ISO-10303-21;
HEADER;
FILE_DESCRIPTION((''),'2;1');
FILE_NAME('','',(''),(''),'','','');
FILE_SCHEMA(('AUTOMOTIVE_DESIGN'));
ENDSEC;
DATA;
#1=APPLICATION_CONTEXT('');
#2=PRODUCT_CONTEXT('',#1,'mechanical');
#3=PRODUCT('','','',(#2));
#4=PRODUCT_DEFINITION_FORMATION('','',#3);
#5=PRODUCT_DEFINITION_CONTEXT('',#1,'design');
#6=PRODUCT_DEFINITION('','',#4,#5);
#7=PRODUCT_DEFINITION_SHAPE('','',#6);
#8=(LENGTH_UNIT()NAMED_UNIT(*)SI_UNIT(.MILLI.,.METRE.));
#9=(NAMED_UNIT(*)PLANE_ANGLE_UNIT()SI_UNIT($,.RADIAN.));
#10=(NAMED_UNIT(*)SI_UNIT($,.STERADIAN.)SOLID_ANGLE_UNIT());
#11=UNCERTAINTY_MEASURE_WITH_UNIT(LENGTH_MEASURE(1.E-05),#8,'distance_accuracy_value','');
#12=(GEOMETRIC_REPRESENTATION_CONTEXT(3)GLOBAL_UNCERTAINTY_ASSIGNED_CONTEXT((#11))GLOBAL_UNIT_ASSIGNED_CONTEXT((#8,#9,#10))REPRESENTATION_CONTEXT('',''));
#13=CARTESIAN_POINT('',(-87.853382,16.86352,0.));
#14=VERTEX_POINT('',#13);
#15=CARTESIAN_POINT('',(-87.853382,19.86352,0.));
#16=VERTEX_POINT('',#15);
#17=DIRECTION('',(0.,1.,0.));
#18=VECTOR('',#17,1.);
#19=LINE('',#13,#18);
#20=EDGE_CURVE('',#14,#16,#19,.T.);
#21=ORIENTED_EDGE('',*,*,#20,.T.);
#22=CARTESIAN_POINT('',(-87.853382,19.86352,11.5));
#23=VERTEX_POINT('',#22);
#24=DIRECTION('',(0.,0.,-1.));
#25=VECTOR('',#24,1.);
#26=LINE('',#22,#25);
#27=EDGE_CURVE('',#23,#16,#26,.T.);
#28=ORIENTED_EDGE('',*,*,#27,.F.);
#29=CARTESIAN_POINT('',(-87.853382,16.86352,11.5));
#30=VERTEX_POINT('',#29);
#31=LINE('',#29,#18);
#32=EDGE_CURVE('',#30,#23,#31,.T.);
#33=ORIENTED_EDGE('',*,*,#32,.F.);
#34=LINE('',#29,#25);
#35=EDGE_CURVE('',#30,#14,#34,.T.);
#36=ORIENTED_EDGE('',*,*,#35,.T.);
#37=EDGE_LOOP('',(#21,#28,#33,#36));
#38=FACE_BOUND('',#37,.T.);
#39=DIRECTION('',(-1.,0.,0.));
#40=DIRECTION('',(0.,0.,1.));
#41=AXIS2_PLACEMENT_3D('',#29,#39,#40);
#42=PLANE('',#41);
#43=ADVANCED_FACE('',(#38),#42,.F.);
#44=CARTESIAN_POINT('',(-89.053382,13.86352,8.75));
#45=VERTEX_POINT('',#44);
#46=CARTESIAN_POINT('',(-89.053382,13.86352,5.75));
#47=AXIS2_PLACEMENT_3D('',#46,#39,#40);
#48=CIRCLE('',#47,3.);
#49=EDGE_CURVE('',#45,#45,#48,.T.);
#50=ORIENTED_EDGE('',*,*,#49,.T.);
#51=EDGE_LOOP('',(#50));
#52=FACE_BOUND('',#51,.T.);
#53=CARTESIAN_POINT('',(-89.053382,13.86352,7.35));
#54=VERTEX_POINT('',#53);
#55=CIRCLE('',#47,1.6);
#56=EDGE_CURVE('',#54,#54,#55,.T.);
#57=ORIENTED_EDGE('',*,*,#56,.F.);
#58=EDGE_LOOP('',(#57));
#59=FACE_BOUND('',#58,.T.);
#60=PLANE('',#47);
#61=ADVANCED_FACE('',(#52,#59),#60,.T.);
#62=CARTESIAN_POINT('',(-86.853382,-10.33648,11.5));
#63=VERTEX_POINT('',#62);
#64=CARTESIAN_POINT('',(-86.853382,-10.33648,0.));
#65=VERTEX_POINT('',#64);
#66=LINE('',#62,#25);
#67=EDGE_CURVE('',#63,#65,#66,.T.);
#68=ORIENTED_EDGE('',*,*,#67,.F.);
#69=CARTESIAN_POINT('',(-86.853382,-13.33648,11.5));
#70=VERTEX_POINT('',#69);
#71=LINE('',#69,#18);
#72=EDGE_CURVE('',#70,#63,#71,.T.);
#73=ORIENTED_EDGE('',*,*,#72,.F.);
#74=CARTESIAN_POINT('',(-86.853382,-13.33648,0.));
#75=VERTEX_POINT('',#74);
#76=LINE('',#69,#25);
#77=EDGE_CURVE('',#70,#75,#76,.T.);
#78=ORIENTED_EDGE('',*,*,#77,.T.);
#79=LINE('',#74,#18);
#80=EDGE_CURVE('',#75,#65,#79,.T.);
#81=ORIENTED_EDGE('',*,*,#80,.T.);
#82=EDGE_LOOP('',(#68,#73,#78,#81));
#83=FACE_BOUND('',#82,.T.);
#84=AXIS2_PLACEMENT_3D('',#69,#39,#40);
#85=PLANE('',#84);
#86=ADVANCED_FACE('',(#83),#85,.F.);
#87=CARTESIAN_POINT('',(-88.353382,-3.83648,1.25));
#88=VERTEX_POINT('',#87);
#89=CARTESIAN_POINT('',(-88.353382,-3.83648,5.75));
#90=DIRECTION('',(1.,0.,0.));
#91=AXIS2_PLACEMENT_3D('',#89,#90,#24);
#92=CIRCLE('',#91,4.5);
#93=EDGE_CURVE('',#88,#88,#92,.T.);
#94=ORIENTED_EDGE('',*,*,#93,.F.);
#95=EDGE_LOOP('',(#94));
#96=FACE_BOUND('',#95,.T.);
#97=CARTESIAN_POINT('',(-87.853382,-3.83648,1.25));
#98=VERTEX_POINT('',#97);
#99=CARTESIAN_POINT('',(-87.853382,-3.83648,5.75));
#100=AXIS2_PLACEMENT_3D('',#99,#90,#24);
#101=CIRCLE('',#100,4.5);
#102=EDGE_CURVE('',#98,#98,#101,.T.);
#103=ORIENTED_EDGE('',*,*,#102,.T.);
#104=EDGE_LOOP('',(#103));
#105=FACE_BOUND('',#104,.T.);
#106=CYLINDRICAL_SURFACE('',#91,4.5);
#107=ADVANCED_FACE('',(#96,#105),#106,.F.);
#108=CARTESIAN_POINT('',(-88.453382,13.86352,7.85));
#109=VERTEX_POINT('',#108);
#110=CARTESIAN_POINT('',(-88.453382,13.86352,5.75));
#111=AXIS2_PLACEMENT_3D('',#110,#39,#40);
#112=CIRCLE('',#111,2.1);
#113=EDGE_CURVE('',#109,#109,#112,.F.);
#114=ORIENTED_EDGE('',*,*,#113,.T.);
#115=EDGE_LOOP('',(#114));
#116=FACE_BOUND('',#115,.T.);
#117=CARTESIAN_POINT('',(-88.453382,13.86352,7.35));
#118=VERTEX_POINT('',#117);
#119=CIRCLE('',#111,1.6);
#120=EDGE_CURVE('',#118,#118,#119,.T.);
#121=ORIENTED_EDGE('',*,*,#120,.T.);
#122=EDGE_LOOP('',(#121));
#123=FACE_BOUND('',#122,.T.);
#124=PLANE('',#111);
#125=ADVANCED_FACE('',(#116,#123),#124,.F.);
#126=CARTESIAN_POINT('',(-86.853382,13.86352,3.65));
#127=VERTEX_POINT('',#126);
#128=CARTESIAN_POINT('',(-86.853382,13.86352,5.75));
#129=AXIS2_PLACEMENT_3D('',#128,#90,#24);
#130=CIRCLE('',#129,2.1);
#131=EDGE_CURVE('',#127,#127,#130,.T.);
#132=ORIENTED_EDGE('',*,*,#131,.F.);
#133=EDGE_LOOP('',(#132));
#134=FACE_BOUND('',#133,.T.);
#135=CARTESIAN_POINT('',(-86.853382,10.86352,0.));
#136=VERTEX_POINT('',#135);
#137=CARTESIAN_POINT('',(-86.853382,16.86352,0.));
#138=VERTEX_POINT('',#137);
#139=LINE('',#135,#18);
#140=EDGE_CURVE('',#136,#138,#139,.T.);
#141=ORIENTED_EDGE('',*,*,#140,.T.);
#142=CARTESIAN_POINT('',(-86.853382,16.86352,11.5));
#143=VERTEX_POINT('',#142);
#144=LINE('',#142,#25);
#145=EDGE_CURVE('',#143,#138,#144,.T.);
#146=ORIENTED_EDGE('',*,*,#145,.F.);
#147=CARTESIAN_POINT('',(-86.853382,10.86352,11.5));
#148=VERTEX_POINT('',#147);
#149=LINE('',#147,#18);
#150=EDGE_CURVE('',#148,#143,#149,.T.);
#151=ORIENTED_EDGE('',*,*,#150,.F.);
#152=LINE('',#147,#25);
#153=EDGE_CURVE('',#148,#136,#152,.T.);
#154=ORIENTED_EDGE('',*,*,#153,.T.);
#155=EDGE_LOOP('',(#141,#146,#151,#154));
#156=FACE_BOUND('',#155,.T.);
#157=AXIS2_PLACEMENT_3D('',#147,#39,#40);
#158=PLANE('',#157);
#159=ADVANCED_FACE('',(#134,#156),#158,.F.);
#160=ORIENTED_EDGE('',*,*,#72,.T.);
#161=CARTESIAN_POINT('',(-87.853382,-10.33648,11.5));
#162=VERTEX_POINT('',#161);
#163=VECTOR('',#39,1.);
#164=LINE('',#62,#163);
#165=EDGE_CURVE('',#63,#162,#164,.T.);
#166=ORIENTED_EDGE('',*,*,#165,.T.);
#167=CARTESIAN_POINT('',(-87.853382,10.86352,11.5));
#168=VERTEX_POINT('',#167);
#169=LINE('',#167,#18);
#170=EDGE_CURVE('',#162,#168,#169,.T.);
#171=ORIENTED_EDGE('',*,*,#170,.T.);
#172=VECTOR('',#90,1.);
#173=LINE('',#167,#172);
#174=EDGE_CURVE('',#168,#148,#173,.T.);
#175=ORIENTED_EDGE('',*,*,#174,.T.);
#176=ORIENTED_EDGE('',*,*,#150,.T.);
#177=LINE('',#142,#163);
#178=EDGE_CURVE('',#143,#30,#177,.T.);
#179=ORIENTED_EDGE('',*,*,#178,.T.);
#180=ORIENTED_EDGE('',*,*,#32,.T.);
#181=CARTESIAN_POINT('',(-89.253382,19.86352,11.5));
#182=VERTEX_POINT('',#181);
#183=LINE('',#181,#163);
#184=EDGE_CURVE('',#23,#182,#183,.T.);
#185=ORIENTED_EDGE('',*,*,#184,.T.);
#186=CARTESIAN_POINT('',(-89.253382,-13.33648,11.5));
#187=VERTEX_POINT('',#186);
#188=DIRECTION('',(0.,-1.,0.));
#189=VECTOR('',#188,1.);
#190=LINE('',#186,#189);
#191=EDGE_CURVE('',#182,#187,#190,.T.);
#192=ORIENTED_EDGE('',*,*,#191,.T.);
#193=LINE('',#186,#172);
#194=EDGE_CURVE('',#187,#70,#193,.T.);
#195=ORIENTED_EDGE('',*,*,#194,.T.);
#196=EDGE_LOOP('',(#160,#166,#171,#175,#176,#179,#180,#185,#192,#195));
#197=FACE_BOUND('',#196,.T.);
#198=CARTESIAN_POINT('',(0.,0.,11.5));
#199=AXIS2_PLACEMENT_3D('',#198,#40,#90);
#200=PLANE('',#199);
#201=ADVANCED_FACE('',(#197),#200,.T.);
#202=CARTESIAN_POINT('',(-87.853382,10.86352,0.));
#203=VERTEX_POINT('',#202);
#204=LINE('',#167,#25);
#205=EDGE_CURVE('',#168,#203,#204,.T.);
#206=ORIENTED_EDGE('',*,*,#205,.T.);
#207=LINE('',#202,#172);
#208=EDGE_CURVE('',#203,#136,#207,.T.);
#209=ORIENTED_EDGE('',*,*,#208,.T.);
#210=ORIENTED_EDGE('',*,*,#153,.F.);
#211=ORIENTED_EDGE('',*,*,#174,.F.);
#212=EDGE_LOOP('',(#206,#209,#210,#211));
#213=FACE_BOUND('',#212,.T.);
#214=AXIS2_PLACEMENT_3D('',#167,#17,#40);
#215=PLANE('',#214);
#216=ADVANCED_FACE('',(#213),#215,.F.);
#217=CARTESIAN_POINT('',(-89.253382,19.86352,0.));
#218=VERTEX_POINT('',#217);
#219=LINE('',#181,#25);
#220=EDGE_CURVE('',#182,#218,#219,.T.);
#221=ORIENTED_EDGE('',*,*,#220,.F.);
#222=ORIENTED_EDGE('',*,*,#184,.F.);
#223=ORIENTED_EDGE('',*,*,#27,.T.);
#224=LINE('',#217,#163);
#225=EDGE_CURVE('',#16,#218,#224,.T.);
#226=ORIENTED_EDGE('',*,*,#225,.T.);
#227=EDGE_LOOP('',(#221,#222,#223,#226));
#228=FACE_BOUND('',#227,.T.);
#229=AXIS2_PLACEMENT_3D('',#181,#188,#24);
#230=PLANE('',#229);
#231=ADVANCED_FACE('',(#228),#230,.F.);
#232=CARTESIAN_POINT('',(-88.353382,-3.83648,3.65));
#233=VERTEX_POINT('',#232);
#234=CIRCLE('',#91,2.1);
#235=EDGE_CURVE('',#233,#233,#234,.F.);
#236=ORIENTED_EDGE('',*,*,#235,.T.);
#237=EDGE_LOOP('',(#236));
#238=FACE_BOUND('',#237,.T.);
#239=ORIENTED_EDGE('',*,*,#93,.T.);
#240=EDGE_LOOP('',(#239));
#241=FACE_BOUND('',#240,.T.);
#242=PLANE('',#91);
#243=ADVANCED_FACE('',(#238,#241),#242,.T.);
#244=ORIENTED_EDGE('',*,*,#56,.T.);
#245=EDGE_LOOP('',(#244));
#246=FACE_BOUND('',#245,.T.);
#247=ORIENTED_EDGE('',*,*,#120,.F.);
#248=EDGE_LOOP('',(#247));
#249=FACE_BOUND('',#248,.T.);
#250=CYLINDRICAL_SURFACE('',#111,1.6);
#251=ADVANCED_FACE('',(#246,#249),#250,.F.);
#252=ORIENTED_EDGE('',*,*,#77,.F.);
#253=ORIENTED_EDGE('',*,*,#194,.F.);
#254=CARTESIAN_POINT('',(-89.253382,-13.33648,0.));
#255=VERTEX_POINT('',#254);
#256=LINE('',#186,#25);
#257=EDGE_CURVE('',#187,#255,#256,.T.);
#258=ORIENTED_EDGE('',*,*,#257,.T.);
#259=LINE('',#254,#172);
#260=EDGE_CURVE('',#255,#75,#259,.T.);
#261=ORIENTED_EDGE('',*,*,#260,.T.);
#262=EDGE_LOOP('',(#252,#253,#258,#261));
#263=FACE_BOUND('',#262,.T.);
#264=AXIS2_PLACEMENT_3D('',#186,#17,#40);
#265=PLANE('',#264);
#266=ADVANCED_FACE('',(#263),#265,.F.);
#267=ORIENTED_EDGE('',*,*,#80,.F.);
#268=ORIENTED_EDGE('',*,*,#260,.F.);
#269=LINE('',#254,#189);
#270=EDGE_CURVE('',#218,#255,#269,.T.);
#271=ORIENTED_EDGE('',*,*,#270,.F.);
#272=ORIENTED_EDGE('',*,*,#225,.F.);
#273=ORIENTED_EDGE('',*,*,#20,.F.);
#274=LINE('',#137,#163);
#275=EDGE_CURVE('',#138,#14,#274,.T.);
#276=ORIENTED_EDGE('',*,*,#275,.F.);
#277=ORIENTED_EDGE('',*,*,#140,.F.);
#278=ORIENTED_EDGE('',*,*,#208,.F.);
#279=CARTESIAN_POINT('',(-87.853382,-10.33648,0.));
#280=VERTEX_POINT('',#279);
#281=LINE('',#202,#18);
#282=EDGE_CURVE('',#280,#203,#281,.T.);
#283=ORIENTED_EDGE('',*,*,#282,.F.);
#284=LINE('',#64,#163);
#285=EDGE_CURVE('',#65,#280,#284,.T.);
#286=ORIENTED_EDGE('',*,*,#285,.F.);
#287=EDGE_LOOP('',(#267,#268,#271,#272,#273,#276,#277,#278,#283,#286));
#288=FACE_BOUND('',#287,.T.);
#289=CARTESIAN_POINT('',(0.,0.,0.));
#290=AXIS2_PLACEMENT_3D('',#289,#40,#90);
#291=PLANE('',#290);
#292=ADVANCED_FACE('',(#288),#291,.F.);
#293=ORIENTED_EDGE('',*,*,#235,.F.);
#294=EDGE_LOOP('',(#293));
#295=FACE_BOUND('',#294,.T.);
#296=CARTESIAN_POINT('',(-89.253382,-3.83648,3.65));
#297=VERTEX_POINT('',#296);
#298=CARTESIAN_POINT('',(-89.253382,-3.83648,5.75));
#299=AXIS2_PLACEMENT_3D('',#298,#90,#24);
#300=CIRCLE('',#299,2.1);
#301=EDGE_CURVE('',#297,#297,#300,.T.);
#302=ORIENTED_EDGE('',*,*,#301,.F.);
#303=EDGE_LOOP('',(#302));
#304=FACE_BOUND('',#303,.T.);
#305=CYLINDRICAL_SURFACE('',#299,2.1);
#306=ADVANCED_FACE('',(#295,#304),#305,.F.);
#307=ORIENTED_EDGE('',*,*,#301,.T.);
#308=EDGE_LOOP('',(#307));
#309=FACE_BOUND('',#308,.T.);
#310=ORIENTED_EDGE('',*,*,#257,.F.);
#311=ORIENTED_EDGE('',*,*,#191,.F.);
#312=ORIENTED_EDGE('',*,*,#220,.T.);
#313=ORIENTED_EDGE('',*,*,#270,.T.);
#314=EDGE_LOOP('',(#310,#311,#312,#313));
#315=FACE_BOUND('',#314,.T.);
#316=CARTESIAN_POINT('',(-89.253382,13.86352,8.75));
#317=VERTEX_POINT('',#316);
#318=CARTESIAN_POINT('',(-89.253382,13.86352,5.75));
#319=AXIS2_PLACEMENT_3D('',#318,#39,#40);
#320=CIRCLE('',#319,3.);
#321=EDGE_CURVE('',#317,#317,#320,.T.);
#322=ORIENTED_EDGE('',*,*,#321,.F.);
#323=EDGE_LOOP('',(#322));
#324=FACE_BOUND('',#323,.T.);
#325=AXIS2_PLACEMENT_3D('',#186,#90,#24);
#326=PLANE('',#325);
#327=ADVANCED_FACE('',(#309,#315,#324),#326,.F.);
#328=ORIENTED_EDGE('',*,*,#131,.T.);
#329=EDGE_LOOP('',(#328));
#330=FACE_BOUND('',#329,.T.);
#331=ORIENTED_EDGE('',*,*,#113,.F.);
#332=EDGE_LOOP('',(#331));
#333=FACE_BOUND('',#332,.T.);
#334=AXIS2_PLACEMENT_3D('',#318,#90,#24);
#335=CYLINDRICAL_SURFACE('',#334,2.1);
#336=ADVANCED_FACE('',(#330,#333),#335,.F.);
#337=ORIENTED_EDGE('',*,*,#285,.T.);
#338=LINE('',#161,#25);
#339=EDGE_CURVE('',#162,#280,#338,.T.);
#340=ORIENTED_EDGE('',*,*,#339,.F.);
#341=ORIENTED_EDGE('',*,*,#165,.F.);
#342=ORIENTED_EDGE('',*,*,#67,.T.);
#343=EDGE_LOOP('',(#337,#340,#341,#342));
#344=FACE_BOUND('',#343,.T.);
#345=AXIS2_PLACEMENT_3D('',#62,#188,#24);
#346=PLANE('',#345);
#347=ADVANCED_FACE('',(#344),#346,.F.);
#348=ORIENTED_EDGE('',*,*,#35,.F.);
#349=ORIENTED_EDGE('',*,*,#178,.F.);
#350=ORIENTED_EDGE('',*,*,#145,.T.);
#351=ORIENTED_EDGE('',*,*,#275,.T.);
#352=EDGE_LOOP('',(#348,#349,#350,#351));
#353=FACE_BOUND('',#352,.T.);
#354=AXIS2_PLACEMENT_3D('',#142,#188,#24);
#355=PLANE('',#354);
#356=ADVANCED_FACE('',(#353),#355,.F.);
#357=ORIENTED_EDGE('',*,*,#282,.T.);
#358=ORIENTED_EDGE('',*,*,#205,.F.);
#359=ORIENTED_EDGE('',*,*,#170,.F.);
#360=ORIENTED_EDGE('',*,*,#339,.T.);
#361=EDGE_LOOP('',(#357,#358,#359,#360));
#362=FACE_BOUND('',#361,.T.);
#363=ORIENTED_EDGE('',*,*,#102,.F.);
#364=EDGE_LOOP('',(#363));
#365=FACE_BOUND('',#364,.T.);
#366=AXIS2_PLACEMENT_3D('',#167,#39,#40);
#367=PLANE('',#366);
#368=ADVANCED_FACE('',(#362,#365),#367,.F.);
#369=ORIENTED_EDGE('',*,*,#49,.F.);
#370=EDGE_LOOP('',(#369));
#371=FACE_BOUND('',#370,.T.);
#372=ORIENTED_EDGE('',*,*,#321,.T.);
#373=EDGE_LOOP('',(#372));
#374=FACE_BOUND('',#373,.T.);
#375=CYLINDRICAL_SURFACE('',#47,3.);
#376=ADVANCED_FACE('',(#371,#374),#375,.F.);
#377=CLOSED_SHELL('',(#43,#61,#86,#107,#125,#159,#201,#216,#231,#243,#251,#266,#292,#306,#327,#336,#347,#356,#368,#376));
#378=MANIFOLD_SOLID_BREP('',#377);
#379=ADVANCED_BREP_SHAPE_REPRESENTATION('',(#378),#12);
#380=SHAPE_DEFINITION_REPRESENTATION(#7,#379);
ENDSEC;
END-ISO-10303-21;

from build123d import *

# Parameters (mm, degrees)
SALIENTE_EXTRUIR1_DEPTH = 11.5
CORTAR_EXTRUIR1_START   = -2.4
CROQUIS2_R              = 2.1
CORTAR_EXTRUIR1_DEPTH   = 2.4
CROQUIS3_R              = 4.5
CORTAR_EXTRUIR2_DEPTH   = 0.5
CROQUIS4_R              = 3
CORTAR_EXTRUIR3_DEPTH   = 0.2
CROQUIS5_R              = 2.1
CROQUIS5_R_2            = 1.6
SALIENTE_EXTRUIR2_DEPTH = 0.6


with BuildPart() as part:
    # Croquis1 → Saliente-Extruir1 (new body)
    with BuildSketch(Plane.XY):
        Polygon((-89.253382482, -13.336480186), (-89.253382482, 19.863519814), (-87.853382482, 19.863519814), (-87.853382482, 16.863519814), (-86.853382482, 16.863519814), (-86.853382482, 10.863519814), (-87.853382482, 10.863519814), (-87.853382482, -10.336480186), (-86.853382482, -10.336480186), (-86.853382482, -13.336480186), align=None)
    extrude(amount=SALIENTE_EXTRUIR1_DEPTH)

    # Croquis2 → Cortar-Extruir1 (cut)
    with BuildSketch(Plane(origin=(-86.853382482, 0, 0), x_dir=(0, 0, -1), z_dir=(1, 0, 0)).offset(CORTAR_EXTRUIR1_START)):
        with Locations((-5.75, 13.863519814)):
            Circle(CROQUIS2_R)
        with Locations((-5.75, -3.836480186)):
            Circle(CROQUIS2_R)
    extrude(amount=CORTAR_EXTRUIR1_DEPTH, mode=Mode.SUBTRACT)

    # Croquis3 → Cortar-Extruir2 (cut)
    with BuildSketch(Plane(origin=(-87.853382482, 0, 0), x_dir=(0, 0, -1), z_dir=(1, 0, 0))):
        with Locations((-5.75, -3.836480186)):
            Circle(CROQUIS3_R)
    extrude(amount=-CORTAR_EXTRUIR2_DEPTH, mode=Mode.SUBTRACT)

    # Croquis4 → Cortar-Extruir3 (cut)
    with BuildSketch(Plane.ZY.offset(89.253382482)):
        with Locations((5.75, 13.863519814)):
            Circle(CROQUIS4_R)
    extrude(amount=-CORTAR_EXTRUIR3_DEPTH, mode=Mode.SUBTRACT)

    # Croquis5 → Saliente-Extruir2 (add)
    with BuildSketch(Plane.ZY.offset(89.053382482)):
        with Locations((5.75, 13.863519814)):
            Circle(CROQUIS5_R)
        with Locations((5.75, 13.863519814)):
            Circle(CROQUIS5_R_2, mode=Mode.SUBTRACT)
    extrude(amount=-SALIENTE_EXTRUIR2_DEPTH)


solid = part.part
